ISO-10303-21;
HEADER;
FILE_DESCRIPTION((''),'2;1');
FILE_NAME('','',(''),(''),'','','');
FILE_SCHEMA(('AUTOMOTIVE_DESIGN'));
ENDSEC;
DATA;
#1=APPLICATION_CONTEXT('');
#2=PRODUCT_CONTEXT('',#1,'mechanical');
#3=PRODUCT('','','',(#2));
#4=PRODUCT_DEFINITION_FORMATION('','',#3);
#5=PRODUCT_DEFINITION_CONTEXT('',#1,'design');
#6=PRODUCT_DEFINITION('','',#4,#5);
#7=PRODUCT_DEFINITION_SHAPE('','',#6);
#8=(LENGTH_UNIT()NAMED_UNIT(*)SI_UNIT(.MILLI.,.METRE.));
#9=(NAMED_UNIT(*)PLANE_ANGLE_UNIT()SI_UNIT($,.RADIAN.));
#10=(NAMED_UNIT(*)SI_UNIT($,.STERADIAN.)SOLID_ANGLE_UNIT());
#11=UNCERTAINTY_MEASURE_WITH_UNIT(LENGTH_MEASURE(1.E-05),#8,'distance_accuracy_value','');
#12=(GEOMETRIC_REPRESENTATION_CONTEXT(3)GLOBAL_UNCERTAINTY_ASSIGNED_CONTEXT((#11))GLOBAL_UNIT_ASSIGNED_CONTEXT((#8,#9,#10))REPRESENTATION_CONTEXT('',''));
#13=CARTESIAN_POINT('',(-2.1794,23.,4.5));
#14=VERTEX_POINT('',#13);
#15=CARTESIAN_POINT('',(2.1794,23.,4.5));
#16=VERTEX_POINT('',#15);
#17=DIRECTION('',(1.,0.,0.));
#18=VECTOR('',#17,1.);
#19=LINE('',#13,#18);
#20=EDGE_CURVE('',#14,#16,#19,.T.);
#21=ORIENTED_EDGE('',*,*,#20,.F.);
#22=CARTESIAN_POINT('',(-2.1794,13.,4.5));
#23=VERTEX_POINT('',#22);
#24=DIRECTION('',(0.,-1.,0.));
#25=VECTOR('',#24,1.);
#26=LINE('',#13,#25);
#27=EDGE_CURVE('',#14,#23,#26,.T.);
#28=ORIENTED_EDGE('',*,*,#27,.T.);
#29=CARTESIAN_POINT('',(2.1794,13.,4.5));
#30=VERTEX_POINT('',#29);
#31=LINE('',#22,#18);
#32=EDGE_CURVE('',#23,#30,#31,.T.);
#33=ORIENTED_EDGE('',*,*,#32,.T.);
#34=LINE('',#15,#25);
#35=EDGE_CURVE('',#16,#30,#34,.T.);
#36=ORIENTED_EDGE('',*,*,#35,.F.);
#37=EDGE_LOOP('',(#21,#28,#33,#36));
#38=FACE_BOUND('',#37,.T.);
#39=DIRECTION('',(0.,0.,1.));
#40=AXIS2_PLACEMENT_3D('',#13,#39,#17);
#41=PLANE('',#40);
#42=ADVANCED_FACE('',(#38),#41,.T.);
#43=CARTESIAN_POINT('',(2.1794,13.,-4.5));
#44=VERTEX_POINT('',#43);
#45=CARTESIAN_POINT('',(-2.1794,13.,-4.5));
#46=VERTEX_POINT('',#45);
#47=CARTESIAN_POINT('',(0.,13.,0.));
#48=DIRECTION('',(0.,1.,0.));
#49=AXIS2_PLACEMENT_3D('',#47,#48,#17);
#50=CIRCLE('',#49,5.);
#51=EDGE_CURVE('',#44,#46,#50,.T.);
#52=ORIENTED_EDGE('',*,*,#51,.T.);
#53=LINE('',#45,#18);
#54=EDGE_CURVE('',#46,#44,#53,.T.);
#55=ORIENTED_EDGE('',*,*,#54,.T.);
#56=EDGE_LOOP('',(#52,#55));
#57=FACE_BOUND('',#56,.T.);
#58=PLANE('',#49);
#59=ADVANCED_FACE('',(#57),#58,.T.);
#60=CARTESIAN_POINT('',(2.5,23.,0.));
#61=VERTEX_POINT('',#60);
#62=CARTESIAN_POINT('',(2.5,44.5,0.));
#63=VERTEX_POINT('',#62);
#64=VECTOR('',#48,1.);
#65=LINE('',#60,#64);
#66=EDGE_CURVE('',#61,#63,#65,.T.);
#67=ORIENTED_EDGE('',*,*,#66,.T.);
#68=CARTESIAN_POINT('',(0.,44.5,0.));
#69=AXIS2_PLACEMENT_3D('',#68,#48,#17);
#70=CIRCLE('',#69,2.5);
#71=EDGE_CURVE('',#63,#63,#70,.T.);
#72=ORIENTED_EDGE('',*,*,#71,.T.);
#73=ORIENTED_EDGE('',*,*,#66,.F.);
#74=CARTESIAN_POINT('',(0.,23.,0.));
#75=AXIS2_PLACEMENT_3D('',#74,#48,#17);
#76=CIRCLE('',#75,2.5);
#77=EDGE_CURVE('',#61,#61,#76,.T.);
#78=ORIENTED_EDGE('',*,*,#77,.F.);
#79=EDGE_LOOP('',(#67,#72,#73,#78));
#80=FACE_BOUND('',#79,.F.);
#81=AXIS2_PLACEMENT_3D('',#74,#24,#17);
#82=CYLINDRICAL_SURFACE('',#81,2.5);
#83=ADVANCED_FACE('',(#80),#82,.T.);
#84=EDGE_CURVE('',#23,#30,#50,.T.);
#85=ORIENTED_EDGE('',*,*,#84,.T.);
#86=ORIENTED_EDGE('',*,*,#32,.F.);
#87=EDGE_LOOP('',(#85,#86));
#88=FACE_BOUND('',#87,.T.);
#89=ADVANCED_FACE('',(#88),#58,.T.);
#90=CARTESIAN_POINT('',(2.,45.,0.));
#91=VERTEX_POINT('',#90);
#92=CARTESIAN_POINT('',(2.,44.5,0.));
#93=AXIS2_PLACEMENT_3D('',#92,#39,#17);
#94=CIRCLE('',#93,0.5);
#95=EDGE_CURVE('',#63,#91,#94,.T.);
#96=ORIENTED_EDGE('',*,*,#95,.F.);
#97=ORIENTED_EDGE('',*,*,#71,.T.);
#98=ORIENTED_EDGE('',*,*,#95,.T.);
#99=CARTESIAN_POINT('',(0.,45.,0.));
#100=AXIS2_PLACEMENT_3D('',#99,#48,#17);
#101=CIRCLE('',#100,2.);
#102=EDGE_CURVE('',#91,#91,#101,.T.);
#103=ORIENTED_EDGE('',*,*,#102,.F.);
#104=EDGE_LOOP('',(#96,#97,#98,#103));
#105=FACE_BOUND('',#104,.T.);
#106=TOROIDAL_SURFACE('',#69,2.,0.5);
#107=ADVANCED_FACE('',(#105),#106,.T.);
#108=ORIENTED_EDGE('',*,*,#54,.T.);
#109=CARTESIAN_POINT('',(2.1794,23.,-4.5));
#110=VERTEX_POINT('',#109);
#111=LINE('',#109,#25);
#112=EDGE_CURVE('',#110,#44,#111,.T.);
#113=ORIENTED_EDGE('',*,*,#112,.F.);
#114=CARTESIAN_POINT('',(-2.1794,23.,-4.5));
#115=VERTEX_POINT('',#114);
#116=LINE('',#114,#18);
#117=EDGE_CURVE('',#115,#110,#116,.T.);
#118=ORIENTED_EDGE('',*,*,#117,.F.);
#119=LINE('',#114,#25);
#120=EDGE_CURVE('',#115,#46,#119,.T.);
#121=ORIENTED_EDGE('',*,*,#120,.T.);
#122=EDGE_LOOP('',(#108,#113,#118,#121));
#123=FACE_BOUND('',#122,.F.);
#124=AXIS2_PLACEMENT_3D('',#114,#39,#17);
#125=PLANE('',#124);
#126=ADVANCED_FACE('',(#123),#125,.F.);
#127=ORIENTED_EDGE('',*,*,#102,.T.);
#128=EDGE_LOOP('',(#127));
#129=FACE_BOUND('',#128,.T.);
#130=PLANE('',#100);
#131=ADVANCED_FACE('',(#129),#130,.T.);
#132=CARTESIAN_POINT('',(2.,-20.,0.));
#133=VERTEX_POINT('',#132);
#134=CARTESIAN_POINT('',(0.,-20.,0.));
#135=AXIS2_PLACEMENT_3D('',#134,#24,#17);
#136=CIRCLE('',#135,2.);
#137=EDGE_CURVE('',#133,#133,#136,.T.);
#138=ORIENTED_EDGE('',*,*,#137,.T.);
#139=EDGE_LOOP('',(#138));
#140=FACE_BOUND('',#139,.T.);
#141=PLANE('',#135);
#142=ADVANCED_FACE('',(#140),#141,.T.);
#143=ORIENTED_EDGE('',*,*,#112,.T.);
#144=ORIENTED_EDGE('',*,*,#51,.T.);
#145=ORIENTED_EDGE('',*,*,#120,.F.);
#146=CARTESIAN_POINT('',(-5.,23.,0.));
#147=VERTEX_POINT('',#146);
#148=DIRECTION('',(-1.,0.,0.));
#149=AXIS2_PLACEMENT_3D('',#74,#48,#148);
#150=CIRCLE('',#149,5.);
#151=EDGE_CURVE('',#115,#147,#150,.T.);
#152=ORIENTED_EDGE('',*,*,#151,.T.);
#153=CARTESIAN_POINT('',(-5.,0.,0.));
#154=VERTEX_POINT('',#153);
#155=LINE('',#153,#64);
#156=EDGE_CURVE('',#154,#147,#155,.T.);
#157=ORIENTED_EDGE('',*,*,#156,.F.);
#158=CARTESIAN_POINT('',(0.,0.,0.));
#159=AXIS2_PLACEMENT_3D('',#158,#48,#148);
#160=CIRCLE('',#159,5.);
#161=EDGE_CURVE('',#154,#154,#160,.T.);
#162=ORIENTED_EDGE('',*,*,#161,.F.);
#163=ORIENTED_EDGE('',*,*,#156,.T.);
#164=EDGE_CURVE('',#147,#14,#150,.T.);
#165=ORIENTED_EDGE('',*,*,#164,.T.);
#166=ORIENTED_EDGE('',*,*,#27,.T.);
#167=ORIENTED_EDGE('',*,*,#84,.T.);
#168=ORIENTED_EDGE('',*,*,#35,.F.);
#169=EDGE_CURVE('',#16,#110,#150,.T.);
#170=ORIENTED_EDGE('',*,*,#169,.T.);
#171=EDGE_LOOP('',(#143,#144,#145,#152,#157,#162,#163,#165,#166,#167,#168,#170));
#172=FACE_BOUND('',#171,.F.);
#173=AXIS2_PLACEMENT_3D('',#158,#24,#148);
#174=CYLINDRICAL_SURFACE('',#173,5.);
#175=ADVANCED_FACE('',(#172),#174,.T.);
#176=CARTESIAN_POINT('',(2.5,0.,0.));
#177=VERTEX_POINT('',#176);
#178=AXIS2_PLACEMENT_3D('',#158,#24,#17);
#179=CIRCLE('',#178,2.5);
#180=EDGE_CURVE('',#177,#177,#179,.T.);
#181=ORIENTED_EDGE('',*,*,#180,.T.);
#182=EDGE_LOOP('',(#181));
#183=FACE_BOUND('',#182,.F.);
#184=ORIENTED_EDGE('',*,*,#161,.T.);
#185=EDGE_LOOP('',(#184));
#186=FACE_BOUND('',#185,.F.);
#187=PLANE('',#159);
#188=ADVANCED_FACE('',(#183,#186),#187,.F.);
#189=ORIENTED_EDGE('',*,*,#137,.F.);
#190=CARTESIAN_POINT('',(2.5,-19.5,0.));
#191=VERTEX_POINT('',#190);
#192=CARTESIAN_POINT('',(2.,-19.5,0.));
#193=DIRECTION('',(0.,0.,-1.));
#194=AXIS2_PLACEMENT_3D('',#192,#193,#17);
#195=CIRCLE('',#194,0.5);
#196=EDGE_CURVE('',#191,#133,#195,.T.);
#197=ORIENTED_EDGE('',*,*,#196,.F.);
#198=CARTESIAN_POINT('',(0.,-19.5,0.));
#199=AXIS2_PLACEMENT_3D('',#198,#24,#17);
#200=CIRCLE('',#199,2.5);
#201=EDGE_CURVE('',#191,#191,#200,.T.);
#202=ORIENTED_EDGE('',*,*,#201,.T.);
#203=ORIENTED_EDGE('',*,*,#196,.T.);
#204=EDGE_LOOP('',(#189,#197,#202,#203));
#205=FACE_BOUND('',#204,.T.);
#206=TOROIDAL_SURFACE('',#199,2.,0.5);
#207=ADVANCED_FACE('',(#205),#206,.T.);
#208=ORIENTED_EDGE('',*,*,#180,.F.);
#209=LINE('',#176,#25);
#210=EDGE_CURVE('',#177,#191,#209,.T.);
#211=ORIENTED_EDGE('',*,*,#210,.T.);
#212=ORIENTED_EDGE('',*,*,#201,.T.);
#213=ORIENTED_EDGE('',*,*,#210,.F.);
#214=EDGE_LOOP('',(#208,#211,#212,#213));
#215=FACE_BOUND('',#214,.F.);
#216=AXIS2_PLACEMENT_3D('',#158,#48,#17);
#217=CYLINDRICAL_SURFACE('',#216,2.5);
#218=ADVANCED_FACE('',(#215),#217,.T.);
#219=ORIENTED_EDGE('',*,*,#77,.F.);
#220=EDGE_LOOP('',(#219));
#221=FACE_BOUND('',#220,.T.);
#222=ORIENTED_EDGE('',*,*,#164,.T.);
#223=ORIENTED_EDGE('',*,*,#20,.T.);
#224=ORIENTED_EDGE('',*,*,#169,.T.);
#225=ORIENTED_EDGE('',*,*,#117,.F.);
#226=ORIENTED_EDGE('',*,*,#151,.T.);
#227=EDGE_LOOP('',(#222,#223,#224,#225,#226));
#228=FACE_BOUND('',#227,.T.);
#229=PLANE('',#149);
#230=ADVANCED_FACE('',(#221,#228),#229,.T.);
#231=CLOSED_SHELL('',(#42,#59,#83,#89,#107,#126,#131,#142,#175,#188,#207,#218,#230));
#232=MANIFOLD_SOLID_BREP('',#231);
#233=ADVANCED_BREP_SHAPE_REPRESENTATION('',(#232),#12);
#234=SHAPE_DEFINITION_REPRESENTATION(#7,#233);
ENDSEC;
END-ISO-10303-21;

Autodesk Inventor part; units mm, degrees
ref_plane "YZ Plane" through (0, 0, 0) normal (1, 0, 0) x (0, 1, 0)
ref_plane "XZ Plane" through (0, 0, 0) normal (0, 1, 0) x (-1, 0, 0)
ref_plane "XY Plane" through (0, 0, 0) normal (0, 0, 1) x (1, 0, 0)
sketch "Sketch1" plane through (0, 0, 0) normal (0, 1, 0) x (-1, 0, 0)
  circle A0 centre (0, 0) radius 5
  dimension "d0" = 10
extrude "Extrusion1" add sketch "Sketch1" along normal blind 23
sketch "Sketch2" plane through (0, 23, 0) normal (0, 1, 0) x (1, 0, 0)
  line L0 (0, -4.5) -> (0, 4.5) construction
  circle A0 centre (0, 0) radius 5 projected
  line L1 (-2.1794, -4.5) -> (2.1794, -4.5)
  line L2 (-2.1794, 4.5) -> (2.1794, 4.5)
extrude "Extrusion2" cut sketch "Sketch2" against normal blind 10 contours L2 A0 | A0 L1
sketch "Sketch3" plane through (0, 23, 0) normal (0, 1, 0) x (1, 0, 0)
  circle A0 centre (0, 0) radius 2.5
  dimension "d7" = 5
extrude "Extrusion3" add sketch "Sketch3" along normal blind 22
sketch "Sketch4" plane through (0, 0, 0) normal (0, -1, 0) x (1, 0, 0)
  circle A0 centre (0, 0) radius 2.5 projected
  circle A1 centre (0, 0) radius 3
  dimension "d10" = 6
extrude "Extrusion4" add sketch "Sketch4" along normal blind 20 contours A0
thread "Thread1" size "M5x0.8" class "6g" standard "ANSI Metric M Profile" length 10
fillet "Fillet1" radius 0.5 1 edges at (-2.5, 45, 0)
thread "Thread2" size "M5x0.8" class "6g" standard "ANSI Metric M Profile" length 12
fillet "Fillet2" radius 0.5 1 edges at (-2.5, -20, 0)
properties part number "Semi alberto M"
